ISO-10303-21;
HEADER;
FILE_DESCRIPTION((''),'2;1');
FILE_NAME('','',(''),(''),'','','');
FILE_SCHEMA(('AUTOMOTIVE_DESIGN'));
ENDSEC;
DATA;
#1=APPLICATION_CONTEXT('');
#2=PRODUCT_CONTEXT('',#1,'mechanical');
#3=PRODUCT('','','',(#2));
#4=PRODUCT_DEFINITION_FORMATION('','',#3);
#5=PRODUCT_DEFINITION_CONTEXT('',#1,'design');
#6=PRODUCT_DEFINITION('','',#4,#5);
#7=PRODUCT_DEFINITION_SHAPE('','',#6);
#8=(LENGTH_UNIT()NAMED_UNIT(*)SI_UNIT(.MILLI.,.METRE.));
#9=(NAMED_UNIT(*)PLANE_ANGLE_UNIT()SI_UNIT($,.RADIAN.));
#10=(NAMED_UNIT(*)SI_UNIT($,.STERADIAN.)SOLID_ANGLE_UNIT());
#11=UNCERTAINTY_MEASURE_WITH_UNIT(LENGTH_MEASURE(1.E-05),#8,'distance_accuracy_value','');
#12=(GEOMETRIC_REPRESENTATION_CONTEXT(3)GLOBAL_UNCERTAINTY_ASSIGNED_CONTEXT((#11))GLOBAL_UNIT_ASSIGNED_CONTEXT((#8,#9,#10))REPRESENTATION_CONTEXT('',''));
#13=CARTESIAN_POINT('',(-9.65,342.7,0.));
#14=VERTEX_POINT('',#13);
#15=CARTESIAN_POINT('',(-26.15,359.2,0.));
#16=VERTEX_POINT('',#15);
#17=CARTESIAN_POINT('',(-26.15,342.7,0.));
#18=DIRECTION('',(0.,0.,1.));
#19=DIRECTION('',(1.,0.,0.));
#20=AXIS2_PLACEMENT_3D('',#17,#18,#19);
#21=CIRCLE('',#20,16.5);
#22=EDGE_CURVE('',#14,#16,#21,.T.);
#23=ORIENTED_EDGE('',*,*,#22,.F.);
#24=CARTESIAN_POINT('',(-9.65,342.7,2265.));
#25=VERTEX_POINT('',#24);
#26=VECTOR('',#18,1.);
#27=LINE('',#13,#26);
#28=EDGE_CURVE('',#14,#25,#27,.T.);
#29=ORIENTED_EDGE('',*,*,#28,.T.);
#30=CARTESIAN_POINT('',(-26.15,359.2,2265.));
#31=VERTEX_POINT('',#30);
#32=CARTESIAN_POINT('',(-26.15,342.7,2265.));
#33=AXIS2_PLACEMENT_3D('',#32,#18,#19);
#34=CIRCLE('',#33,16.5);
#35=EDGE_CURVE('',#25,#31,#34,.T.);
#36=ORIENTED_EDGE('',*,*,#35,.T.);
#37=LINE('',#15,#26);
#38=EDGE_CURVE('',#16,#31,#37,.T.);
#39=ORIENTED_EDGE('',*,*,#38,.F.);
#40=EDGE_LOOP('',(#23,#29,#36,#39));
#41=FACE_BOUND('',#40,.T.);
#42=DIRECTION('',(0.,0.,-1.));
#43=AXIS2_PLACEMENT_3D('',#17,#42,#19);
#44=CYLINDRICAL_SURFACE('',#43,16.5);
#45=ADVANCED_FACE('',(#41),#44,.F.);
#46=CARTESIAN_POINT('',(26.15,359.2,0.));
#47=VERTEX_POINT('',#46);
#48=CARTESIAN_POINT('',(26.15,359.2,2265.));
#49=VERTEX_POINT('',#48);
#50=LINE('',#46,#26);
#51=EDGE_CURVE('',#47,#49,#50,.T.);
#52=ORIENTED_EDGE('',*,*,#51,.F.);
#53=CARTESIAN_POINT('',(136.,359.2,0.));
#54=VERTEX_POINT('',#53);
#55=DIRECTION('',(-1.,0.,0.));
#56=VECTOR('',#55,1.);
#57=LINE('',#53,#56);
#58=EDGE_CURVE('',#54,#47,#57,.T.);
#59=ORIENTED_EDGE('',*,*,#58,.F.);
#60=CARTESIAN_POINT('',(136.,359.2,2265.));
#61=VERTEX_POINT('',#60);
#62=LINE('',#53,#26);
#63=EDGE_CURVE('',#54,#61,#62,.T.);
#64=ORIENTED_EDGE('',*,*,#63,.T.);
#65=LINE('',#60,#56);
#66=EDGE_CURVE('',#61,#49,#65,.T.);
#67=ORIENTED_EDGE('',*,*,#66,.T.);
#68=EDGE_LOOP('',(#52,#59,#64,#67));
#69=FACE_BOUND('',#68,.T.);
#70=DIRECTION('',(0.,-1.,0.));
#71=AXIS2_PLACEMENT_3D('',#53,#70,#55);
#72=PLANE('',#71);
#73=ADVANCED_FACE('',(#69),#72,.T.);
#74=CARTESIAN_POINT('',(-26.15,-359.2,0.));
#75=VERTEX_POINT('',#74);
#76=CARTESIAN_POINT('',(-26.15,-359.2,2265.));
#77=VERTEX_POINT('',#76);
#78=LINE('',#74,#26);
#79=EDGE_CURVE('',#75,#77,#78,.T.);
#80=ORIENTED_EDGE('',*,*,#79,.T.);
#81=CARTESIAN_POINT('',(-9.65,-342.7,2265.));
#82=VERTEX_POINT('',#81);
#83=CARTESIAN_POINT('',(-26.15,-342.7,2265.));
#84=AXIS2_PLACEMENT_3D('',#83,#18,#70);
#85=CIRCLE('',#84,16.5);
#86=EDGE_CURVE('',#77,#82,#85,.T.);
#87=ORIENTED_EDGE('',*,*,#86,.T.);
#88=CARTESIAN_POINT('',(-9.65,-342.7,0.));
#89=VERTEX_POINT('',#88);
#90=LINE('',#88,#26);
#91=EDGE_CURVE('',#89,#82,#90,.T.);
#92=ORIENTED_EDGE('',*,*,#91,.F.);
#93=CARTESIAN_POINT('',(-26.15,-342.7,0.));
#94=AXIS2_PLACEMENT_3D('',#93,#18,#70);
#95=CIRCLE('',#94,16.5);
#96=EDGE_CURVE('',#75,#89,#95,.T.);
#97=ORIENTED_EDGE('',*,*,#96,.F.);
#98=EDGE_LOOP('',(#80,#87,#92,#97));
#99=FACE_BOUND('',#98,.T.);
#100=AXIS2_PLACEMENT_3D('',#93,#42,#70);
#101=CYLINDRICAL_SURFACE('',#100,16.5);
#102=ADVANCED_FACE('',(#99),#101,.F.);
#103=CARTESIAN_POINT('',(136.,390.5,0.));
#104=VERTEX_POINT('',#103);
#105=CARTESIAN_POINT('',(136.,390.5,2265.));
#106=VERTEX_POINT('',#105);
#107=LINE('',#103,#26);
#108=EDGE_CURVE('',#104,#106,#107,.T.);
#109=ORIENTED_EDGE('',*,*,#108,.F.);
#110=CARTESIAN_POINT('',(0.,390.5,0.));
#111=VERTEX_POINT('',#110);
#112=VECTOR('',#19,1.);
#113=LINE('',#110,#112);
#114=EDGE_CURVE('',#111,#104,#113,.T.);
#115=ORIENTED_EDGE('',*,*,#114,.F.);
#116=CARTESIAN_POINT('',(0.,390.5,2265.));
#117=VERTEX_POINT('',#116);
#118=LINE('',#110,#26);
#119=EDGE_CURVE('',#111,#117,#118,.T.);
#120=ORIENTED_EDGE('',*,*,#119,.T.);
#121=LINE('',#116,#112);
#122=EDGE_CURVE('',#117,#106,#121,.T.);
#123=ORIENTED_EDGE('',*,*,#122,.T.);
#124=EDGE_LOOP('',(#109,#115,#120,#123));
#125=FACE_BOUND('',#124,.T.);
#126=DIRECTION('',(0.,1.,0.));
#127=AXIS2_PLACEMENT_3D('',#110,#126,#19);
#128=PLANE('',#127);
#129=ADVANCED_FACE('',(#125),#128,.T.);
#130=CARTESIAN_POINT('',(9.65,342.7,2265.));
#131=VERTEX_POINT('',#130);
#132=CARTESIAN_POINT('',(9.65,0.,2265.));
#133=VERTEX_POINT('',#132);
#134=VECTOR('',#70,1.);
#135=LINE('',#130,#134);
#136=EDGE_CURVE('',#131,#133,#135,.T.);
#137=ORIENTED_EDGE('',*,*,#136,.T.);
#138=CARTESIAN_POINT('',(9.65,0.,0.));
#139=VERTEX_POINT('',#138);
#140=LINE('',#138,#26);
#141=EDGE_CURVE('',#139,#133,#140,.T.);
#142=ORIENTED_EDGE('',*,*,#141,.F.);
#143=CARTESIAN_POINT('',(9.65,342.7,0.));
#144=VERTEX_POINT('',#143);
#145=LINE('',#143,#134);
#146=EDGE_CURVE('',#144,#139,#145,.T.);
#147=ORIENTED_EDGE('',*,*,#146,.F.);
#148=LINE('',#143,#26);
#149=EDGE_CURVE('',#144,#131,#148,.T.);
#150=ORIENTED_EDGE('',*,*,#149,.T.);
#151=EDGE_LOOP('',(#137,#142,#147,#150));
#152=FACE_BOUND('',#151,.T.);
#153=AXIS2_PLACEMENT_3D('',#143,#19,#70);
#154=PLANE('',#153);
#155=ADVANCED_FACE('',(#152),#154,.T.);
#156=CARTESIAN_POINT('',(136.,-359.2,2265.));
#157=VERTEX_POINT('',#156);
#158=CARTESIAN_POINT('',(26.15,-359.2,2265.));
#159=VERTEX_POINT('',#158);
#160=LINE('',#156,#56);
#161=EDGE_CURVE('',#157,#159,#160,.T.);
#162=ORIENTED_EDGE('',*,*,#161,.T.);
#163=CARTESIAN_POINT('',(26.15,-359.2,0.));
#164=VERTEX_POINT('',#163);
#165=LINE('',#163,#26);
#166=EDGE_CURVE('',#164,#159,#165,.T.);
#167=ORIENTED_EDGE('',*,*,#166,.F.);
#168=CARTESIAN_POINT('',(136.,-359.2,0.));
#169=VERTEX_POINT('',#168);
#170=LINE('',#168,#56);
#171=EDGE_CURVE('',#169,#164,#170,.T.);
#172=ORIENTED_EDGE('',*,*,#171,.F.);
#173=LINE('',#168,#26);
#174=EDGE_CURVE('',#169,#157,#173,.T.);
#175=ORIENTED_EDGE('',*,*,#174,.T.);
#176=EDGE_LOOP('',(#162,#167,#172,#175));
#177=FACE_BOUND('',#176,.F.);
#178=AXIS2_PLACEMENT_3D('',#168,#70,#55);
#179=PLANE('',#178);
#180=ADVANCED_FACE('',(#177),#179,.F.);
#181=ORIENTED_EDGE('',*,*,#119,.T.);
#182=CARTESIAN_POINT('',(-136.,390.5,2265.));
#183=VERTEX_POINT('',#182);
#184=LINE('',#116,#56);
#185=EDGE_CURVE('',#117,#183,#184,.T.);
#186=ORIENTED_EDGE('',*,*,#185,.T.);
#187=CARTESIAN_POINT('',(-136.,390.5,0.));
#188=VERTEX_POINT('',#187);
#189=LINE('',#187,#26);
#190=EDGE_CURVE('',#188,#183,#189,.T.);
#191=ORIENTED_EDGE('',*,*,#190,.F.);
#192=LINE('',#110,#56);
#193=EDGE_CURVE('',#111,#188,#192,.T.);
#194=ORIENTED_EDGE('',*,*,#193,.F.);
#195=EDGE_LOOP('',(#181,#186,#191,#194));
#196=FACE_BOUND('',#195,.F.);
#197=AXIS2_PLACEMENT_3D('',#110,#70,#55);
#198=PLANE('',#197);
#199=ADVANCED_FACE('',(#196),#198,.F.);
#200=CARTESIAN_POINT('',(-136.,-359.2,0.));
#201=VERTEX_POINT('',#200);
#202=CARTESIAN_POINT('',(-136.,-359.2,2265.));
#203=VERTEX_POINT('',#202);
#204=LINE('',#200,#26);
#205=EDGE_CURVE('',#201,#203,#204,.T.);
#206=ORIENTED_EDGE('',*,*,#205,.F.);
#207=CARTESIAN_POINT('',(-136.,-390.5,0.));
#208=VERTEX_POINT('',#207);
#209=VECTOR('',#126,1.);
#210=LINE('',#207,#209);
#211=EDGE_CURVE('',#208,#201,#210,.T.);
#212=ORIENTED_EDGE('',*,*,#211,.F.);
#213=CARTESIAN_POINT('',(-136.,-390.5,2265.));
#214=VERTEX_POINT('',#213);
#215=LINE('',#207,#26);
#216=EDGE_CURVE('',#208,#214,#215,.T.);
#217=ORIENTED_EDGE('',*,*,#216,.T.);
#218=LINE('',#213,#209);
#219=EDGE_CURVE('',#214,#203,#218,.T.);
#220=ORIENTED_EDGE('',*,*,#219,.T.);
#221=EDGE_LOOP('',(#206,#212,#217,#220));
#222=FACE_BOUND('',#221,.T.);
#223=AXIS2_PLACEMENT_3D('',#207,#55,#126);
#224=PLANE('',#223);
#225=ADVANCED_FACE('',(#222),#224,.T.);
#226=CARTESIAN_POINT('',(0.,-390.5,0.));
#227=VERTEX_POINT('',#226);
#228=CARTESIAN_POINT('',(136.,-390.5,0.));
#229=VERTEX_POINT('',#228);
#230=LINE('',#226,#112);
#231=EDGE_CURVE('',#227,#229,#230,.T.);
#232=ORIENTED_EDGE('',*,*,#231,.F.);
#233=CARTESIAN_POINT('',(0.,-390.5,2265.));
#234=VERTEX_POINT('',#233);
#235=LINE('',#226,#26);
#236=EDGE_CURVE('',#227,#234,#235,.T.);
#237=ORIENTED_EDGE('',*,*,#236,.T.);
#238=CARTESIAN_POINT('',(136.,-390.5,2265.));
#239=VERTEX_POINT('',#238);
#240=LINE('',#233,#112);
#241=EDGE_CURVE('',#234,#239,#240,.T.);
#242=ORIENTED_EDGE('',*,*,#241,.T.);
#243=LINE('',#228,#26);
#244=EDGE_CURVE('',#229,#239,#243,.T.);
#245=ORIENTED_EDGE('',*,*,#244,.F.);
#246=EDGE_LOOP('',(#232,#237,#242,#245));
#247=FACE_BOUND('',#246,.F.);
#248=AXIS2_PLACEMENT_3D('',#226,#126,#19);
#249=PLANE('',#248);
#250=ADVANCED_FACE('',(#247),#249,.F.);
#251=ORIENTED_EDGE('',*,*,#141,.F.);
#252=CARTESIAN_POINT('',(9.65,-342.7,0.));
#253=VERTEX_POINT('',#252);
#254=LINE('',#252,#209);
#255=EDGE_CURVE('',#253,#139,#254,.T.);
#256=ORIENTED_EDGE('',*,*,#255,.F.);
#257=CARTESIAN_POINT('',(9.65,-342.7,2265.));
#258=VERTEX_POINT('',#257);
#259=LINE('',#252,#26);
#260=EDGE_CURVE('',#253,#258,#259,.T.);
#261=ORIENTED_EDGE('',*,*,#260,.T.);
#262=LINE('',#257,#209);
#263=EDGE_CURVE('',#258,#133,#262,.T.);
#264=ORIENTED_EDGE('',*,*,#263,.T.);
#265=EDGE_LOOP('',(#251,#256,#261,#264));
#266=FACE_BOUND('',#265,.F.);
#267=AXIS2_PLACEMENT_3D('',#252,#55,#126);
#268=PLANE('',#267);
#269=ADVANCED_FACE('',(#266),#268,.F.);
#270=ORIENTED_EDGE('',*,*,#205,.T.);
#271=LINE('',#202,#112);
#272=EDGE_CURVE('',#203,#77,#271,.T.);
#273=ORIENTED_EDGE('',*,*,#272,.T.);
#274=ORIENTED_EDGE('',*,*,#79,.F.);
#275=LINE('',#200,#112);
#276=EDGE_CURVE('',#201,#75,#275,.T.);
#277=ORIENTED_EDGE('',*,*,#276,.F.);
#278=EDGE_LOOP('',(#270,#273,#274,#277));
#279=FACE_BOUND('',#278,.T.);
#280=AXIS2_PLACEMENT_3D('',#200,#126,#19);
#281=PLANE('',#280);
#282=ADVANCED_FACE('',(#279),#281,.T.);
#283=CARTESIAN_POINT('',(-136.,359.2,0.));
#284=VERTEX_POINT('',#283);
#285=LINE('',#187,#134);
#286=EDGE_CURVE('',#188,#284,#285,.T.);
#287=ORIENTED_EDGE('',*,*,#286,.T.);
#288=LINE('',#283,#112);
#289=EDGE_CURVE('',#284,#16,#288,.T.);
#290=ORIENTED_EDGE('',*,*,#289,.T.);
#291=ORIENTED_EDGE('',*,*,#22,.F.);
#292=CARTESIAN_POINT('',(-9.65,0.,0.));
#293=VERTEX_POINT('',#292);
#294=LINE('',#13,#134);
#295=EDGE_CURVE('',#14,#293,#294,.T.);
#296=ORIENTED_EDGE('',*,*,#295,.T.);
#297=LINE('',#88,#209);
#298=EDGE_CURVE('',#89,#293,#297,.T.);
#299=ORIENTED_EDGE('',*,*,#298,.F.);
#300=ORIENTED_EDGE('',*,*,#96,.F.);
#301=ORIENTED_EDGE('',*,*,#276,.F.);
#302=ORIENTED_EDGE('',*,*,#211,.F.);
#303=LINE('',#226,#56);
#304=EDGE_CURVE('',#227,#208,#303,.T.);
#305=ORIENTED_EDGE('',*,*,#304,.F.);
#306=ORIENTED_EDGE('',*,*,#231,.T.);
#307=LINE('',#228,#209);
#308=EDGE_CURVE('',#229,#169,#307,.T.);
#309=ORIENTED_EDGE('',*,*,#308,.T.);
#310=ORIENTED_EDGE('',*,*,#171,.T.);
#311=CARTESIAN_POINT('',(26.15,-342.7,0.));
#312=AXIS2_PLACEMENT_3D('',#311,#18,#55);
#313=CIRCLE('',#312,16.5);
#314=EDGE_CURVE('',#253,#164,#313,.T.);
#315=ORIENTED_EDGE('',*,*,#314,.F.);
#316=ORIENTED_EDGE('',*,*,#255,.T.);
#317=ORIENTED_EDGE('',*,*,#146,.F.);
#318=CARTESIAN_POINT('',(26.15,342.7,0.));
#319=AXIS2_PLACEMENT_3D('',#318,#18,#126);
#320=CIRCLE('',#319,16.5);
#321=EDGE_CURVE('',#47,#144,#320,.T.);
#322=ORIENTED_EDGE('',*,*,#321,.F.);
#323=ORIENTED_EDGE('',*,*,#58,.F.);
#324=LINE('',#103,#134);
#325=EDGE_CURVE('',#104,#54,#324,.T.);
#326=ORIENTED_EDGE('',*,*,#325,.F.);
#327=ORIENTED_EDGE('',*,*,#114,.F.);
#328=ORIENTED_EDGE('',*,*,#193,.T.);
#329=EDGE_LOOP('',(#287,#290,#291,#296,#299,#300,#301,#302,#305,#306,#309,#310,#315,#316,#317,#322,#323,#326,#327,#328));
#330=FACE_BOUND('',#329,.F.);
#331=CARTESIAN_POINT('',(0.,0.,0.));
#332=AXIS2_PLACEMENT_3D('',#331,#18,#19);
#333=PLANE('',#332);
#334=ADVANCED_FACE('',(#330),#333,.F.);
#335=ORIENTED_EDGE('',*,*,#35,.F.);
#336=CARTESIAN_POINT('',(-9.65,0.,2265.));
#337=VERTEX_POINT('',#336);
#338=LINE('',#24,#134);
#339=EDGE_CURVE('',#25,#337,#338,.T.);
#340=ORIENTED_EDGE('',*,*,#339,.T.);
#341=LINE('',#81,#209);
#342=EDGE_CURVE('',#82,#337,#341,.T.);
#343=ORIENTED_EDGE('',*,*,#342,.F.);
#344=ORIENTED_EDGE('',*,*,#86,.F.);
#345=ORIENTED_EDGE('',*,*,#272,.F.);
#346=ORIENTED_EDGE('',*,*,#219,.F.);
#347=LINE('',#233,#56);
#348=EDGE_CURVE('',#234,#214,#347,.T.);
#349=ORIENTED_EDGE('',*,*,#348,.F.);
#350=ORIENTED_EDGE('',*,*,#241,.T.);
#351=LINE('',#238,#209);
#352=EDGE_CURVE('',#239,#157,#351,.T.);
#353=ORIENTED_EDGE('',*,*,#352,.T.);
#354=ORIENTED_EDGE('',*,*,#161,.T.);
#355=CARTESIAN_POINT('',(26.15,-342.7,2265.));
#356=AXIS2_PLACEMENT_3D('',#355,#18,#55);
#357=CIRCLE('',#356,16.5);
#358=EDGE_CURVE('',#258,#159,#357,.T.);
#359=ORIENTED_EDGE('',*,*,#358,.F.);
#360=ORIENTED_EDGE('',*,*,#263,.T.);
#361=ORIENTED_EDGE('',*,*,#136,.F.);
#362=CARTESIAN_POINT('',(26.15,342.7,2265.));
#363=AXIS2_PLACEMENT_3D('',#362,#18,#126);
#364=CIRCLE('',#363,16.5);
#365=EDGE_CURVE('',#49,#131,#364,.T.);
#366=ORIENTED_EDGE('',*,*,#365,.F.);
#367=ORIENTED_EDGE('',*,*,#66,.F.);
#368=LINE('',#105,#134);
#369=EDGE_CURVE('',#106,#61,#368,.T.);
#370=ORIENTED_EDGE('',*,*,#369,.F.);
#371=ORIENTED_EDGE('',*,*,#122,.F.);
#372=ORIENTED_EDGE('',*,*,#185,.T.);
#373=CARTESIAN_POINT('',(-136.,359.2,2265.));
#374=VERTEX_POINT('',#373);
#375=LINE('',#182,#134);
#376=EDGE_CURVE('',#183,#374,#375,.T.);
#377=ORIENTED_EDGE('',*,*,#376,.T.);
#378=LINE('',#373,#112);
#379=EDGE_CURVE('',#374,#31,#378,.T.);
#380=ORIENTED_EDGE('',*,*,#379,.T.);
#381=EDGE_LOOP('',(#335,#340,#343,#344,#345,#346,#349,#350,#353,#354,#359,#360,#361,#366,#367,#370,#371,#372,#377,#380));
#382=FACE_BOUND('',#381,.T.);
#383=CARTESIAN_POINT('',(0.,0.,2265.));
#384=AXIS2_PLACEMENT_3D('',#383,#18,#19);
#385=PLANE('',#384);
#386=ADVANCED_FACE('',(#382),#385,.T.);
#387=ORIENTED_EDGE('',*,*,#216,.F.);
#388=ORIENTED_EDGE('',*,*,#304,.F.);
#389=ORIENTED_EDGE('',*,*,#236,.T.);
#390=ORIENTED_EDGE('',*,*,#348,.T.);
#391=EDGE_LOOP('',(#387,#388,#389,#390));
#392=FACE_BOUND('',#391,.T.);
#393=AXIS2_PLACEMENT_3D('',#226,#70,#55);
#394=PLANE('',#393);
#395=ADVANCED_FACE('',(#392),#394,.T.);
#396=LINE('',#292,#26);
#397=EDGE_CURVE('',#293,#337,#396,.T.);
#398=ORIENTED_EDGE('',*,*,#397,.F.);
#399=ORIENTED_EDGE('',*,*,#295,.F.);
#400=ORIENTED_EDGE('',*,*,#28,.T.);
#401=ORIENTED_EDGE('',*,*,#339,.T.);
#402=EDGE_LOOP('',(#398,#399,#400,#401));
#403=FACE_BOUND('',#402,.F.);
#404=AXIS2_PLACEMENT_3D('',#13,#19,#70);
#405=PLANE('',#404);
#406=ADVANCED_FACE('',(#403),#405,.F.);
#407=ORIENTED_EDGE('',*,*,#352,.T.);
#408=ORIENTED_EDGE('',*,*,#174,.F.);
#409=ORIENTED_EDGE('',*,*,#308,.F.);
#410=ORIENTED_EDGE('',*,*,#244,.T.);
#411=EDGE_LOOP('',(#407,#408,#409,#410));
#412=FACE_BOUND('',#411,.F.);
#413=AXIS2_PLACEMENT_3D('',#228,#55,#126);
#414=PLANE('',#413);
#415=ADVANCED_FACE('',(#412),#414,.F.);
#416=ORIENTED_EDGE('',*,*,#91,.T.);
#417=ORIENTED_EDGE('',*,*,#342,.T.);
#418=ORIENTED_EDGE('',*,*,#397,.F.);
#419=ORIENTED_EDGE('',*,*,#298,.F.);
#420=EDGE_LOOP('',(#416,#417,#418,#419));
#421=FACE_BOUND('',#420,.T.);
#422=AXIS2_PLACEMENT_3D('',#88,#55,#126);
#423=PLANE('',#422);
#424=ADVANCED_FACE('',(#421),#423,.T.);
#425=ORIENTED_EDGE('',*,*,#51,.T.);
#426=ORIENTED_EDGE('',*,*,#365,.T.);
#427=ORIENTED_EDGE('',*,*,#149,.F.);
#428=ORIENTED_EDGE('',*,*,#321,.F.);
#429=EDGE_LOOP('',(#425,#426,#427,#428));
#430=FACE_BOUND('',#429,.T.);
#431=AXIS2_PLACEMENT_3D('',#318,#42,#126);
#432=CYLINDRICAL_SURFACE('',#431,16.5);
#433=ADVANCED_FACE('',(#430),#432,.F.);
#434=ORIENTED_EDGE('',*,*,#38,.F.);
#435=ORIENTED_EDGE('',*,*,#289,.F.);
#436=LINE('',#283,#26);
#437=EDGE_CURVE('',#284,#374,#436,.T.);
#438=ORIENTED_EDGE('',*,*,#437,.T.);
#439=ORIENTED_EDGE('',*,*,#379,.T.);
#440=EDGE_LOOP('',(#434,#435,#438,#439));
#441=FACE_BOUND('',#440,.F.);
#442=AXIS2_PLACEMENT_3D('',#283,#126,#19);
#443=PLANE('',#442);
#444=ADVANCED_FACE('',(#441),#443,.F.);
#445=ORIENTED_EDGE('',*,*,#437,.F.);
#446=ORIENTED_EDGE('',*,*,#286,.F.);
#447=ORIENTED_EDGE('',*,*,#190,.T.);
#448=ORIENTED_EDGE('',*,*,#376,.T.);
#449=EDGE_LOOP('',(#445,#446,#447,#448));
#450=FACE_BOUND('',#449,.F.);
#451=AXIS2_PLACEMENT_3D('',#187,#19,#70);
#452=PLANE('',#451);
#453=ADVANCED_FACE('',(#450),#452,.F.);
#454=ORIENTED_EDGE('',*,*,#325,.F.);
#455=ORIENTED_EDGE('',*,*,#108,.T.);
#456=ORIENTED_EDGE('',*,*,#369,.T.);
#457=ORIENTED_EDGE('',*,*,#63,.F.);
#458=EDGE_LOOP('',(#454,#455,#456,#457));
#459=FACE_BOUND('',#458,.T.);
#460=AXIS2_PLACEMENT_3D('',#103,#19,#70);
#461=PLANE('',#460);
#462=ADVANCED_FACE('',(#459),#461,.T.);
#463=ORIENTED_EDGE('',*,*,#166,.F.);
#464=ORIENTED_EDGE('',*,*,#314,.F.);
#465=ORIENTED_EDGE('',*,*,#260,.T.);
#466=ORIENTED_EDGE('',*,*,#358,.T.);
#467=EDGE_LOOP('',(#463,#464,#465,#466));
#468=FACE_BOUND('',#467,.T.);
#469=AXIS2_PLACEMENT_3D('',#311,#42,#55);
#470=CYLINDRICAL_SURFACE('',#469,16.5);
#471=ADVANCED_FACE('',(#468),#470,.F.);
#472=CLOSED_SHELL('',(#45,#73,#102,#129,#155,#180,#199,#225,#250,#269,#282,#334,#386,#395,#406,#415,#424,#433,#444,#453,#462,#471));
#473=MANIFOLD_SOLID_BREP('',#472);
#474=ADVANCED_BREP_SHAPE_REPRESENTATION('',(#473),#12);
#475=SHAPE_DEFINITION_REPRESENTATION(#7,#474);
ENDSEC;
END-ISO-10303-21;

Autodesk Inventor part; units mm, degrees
ref_plane "YZ Plane" through (0, 0, 0) normal (1, 0, 0) x (0, 1, 0)
ref_plane "Start plane" through (0, 0, 0) normal (0, 0, 1) x (1, 0, 0)
ref_plane "End plane" through (0, 0, 2265) normal (0, 0, 1) x (1, 0, 0)
sketch "Sketch" plane through (0, 0, 0) normal (0, 0, 1) x (1, 0, 0)
  line L0 (-136, -390.5) -> (-136, -359.2)
  line L1 (-136, -359.2) -> (-26.15, -359.2)
  line L2 (-9.65, -342.7) -> (-9.65, 0)
  line L3 (-9.65, 0) -> (0, 0) construction
  line L4 (0, 0) -> (0, -390.5) construction
  line L5 (0, -390.5) -> (-136, -390.5)
  line L6 (-60, 0) -> (80, 0) construction
  line L7 (0, -60) -> (0, 80) construction
  line L8 (136, -390.5) -> (136, -359.2)
  line L9 (136, -359.2) -> (26.15, -359.2)
  line L10 (9.65, -342.7) -> (9.65, 0)
  line L11 (9.65, 0) -> (0, 0) construction
  line L12 (0, -390.5) -> (136, -390.5)
  line L13 (-136, 390.5) -> (-136, 359.2)
  line L14 (-136, 359.2) -> (-26.15, 359.2)
  line L15 (-9.65, 342.7) -> (-9.65, 0)
  line L16 (0, 390.5) -> (-136, 390.5)
  line L17 (136, 390.5) -> (136, 359.2)
  line L18 (136, 359.2) -> (26.15, 359.2)
  line L19 (0, 390.5) -> (136, 390.5)
  line L20 (9.65, 342.7) -> (9.65, 0)
  arc A0 (-9.65, 342.7) -> (-26.15, 359.2) centre (-26.15, 342.7) ccw
  arc A1 (26.15, 359.2) -> (9.65, 342.7) centre (26.15, 342.7) ccw
  arc A2 (9.65, -342.7) -> (26.15, -359.2) centre (26.15, -342.7) ccw
  arc A3 (-26.15, -359.2) -> (-9.65, -342.7) centre (-26.15, -342.7) ccw
  line L21 (0, 108) -> (0, -88) construction
  line L22 (-88, 0) -> (108, 0) construction
  point P0 (-9.65, -359.2)
  point P1 (9.65, -359.2)
  point P2 (-9.65, 359.2)
  point P3 (9.65, 359.2)
  dimension "d1" = 390.5
  dimension "d2" = 31.3
  dimension "d3" = 136
  dimension "d4" = 9.65
  dimension "d10" = 16.5
extrude "Body" add sketch "Sketch" along normal up to surface (2265 mm away) from surface at 0
sketch "Sketch4" plane through (0, 0, 0) normal (0, 0, 1) x (1, 0, 0)
  line L0 (0, 0) -> (10, 0)
ref_plane "Work Plane3" through (0, 0, 0) normal (0, -1, 0) x (1, 0, 0)
sketch "Sketch5" plane through (0, 0, 0) normal (0, -1, 0) x (1, 0, 0)
  line L0 (-2, 0) -> (12, 0) projected
  line L1 (-2, 2265) -> (12, 2265) projected
  dimension "d14" = 2265
equation "\"d1\" = 0.5 * G_H"
equation "\"d2\" = G_T1"
equation "\"d3\" = 0.5 * G_W"
equation "\"d4\" = 0.5 * G_T"
equation "\"d10\" = G_IR"
equation "\"d5\" = G_L"
equation "\"G_W\" = 272"
equation "\"G_H\" = 781"
equation "\"G_T\" = 19.3"
equation "\"G_T1\" = 31.3"
equation "\"G_IR\" = 16.5"
equation "\"G_L\" = d14"
equation "\"G_OFFSET_START\" = 0"
equation "\"G_OFFSET_END\" = 0"
equation "\"d12\" = G_OFFSET_END + B_L"
equation "\"B_L\" = 2265"
properties part number "AS 3679-1990 - 760 UB - 244 - 2265" material "Steel, Mild"
